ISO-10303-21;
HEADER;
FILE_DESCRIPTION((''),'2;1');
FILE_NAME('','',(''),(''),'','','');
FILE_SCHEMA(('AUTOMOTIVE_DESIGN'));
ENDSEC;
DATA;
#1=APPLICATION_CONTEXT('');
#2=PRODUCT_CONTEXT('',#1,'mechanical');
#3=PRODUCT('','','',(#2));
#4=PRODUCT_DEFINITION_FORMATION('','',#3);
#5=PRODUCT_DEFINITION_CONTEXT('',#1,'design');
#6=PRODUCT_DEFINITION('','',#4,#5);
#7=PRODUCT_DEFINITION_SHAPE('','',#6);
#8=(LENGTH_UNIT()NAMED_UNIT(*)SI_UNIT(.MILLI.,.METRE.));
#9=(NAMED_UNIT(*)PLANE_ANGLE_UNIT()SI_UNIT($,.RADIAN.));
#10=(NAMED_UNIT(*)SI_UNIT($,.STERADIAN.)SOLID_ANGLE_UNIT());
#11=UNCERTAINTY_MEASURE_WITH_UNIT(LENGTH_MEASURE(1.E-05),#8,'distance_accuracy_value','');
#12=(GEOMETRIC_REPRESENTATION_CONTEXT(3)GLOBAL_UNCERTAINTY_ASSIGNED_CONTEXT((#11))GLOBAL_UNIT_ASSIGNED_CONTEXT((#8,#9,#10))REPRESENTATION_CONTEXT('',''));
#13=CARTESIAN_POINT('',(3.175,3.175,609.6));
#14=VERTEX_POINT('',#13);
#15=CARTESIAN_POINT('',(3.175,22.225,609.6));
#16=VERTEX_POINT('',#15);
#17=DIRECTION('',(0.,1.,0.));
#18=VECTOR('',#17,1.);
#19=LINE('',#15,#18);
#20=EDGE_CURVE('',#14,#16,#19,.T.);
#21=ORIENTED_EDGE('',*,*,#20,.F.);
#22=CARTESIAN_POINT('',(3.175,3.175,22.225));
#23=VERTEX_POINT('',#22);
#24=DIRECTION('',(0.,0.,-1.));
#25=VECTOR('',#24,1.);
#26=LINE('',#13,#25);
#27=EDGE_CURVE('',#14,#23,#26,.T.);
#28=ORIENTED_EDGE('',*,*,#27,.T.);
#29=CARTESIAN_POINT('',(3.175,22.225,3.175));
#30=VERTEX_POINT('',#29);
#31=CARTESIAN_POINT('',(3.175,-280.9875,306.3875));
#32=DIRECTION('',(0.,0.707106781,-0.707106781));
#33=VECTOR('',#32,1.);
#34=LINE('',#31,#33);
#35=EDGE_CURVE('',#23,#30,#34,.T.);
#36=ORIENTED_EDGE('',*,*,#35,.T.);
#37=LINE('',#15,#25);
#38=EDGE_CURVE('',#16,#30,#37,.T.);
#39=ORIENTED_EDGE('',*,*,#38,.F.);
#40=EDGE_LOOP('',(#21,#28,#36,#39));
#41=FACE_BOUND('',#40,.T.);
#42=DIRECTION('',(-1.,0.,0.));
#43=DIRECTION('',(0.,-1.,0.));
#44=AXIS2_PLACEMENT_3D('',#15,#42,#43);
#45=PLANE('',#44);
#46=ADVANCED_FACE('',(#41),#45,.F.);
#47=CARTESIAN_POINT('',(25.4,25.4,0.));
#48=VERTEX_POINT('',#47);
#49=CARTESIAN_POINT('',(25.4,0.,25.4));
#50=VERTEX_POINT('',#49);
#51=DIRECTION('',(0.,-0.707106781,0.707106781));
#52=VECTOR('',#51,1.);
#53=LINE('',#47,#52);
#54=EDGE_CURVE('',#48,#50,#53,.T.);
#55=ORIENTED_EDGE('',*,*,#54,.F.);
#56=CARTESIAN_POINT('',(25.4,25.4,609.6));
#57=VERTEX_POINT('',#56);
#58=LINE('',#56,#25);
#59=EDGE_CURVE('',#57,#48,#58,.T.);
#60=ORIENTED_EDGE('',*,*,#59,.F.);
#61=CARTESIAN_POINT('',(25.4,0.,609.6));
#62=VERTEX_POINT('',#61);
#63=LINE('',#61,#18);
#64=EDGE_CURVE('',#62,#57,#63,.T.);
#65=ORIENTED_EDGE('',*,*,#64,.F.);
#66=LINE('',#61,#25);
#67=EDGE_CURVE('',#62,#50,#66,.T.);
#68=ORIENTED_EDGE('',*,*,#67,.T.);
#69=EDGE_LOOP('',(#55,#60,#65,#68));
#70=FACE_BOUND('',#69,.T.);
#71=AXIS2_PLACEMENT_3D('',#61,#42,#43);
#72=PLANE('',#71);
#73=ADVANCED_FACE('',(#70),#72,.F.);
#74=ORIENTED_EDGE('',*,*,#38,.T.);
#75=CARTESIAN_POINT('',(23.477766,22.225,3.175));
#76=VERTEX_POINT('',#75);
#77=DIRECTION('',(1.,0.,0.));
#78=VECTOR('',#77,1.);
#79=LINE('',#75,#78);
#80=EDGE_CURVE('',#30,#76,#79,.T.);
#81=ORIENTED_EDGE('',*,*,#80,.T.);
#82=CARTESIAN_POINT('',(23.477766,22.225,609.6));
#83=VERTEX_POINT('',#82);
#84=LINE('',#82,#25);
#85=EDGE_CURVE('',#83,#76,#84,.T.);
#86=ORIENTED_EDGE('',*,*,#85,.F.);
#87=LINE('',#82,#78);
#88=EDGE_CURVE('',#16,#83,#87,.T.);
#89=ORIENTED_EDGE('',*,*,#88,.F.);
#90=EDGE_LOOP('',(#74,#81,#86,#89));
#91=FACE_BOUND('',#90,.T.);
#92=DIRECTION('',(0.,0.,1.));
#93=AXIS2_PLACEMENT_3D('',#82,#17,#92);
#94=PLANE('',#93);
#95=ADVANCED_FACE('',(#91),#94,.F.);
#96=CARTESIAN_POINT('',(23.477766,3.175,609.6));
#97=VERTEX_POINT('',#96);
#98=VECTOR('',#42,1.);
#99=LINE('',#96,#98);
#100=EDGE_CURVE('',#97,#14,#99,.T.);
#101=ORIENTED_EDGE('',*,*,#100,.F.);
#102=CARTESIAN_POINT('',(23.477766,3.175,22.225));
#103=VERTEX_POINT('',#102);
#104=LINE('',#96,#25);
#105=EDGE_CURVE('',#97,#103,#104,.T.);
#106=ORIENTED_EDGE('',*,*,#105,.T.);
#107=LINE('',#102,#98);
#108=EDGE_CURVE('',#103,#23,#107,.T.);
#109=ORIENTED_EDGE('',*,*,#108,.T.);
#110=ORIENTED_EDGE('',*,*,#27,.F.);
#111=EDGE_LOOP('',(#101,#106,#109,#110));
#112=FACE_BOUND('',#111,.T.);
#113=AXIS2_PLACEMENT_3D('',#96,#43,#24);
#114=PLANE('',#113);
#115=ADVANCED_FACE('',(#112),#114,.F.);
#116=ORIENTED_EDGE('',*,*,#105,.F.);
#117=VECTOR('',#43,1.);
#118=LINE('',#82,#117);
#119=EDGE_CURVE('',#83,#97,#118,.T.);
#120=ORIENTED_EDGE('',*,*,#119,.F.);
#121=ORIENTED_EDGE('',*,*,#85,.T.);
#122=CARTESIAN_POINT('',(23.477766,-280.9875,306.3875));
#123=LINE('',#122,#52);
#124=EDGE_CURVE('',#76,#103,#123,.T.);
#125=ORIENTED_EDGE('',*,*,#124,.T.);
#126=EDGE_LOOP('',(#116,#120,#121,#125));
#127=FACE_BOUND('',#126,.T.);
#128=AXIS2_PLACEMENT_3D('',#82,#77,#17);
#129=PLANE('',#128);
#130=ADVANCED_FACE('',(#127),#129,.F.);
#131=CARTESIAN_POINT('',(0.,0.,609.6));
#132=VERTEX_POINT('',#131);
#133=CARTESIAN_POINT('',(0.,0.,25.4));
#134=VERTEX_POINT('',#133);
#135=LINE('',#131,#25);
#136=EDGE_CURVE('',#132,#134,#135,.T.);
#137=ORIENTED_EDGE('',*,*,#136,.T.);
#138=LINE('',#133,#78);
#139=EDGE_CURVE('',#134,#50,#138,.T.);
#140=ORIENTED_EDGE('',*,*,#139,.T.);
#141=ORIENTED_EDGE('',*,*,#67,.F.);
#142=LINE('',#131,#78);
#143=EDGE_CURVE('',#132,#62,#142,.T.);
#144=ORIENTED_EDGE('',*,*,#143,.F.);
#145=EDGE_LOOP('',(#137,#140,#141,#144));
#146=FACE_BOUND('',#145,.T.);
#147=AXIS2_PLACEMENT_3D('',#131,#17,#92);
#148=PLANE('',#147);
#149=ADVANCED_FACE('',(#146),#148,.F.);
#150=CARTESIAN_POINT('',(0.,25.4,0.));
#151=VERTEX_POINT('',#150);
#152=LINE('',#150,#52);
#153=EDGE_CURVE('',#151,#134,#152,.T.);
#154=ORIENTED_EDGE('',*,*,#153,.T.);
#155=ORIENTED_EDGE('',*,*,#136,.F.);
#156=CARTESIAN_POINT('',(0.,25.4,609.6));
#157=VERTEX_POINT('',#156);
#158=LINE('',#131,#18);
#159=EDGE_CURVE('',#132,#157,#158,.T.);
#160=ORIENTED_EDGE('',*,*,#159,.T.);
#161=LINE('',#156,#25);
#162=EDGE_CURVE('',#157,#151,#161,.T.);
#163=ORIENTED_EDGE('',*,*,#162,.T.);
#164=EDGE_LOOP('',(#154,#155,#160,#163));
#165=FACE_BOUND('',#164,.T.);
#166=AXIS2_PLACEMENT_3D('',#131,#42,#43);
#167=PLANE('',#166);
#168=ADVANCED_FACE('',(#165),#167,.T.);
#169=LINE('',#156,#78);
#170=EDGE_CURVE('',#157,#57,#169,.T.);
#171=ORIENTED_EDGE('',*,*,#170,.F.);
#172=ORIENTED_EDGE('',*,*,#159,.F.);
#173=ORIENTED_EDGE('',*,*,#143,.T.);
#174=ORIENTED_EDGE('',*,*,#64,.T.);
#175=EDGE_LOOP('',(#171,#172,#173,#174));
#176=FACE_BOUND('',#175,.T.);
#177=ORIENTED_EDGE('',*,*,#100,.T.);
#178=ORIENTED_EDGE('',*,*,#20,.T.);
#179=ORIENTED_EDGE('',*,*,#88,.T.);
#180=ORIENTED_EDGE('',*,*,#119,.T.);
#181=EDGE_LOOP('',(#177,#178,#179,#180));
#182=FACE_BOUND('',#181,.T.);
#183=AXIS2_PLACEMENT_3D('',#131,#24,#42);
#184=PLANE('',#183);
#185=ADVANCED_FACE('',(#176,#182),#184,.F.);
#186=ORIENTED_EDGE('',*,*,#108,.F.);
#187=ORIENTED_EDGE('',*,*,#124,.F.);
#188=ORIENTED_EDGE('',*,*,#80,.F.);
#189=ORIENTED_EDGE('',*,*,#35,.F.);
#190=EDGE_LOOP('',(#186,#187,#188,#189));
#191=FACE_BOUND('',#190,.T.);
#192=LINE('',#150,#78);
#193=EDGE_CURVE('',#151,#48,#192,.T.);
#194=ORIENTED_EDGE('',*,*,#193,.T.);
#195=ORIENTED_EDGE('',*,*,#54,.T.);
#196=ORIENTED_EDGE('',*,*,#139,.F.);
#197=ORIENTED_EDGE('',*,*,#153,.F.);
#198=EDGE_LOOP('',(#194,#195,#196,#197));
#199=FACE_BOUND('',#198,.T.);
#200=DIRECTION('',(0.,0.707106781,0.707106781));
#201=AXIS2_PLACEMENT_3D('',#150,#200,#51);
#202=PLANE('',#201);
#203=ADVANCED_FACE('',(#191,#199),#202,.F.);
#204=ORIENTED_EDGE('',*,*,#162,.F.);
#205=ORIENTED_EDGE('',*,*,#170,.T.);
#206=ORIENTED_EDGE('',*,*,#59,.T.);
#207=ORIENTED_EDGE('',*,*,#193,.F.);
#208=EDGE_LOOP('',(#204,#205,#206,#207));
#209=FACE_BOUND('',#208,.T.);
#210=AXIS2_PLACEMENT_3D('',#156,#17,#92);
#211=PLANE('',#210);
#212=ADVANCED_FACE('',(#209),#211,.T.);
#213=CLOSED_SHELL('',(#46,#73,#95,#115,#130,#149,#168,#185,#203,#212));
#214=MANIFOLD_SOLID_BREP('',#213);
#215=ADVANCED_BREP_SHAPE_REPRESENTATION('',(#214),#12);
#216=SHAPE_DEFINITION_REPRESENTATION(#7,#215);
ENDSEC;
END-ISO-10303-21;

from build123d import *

# Parameters (mm, degrees)
SKETCH1_W           = 25.4
SKETCH1_H           = 25.4
BOSS_EXTRUDE2_DEPTH = 609.6
SKETCH2_W           = 20.302766191
SKETCH2_H           = 19.05
CUT_EXTRUDE1_DEPTH  = 611.657416233
CUT_EXTRUDE2_DEPTH  = 611.657416233


with BuildPart() as part:
    # Sketch1 → Boss-Extrude2 (new body)
    with BuildSketch(Plane.XY):
        with Locations((12.7, 12.7)):
            Rectangle(SKETCH1_W, SKETCH1_H)
    extrude(amount=BOSS_EXTRUDE2_DEPTH)

    # Sketch2 → Cut-Extrude1 (cut, through all)
    with BuildSketch(Plane(origin=(0, 0, 0), x_dir=(-1, 0, 0), z_dir=(0, 0, -1))):
        with Locations((-13.326383096, 12.7)):
            Rectangle(SKETCH2_W, SKETCH2_H)
    extrude(amount=-CUT_EXTRUDE1_DEPTH, mode=Mode.SUBTRACT)

    # Sketch3 → Cut-Extrude2 (cut, through all)
    with BuildSketch(Plane(origin=(25.4, 0, 0), x_dir=(0, 0, -1), z_dir=(1, 0, 0))):
        Polygon((0, 25.4), (-25.4, 0), (0, 0), align=None)
    extrude(amount=-CUT_EXTRUDE2_DEPTH, mode=Mode.SUBTRACT)


solid = part.part
